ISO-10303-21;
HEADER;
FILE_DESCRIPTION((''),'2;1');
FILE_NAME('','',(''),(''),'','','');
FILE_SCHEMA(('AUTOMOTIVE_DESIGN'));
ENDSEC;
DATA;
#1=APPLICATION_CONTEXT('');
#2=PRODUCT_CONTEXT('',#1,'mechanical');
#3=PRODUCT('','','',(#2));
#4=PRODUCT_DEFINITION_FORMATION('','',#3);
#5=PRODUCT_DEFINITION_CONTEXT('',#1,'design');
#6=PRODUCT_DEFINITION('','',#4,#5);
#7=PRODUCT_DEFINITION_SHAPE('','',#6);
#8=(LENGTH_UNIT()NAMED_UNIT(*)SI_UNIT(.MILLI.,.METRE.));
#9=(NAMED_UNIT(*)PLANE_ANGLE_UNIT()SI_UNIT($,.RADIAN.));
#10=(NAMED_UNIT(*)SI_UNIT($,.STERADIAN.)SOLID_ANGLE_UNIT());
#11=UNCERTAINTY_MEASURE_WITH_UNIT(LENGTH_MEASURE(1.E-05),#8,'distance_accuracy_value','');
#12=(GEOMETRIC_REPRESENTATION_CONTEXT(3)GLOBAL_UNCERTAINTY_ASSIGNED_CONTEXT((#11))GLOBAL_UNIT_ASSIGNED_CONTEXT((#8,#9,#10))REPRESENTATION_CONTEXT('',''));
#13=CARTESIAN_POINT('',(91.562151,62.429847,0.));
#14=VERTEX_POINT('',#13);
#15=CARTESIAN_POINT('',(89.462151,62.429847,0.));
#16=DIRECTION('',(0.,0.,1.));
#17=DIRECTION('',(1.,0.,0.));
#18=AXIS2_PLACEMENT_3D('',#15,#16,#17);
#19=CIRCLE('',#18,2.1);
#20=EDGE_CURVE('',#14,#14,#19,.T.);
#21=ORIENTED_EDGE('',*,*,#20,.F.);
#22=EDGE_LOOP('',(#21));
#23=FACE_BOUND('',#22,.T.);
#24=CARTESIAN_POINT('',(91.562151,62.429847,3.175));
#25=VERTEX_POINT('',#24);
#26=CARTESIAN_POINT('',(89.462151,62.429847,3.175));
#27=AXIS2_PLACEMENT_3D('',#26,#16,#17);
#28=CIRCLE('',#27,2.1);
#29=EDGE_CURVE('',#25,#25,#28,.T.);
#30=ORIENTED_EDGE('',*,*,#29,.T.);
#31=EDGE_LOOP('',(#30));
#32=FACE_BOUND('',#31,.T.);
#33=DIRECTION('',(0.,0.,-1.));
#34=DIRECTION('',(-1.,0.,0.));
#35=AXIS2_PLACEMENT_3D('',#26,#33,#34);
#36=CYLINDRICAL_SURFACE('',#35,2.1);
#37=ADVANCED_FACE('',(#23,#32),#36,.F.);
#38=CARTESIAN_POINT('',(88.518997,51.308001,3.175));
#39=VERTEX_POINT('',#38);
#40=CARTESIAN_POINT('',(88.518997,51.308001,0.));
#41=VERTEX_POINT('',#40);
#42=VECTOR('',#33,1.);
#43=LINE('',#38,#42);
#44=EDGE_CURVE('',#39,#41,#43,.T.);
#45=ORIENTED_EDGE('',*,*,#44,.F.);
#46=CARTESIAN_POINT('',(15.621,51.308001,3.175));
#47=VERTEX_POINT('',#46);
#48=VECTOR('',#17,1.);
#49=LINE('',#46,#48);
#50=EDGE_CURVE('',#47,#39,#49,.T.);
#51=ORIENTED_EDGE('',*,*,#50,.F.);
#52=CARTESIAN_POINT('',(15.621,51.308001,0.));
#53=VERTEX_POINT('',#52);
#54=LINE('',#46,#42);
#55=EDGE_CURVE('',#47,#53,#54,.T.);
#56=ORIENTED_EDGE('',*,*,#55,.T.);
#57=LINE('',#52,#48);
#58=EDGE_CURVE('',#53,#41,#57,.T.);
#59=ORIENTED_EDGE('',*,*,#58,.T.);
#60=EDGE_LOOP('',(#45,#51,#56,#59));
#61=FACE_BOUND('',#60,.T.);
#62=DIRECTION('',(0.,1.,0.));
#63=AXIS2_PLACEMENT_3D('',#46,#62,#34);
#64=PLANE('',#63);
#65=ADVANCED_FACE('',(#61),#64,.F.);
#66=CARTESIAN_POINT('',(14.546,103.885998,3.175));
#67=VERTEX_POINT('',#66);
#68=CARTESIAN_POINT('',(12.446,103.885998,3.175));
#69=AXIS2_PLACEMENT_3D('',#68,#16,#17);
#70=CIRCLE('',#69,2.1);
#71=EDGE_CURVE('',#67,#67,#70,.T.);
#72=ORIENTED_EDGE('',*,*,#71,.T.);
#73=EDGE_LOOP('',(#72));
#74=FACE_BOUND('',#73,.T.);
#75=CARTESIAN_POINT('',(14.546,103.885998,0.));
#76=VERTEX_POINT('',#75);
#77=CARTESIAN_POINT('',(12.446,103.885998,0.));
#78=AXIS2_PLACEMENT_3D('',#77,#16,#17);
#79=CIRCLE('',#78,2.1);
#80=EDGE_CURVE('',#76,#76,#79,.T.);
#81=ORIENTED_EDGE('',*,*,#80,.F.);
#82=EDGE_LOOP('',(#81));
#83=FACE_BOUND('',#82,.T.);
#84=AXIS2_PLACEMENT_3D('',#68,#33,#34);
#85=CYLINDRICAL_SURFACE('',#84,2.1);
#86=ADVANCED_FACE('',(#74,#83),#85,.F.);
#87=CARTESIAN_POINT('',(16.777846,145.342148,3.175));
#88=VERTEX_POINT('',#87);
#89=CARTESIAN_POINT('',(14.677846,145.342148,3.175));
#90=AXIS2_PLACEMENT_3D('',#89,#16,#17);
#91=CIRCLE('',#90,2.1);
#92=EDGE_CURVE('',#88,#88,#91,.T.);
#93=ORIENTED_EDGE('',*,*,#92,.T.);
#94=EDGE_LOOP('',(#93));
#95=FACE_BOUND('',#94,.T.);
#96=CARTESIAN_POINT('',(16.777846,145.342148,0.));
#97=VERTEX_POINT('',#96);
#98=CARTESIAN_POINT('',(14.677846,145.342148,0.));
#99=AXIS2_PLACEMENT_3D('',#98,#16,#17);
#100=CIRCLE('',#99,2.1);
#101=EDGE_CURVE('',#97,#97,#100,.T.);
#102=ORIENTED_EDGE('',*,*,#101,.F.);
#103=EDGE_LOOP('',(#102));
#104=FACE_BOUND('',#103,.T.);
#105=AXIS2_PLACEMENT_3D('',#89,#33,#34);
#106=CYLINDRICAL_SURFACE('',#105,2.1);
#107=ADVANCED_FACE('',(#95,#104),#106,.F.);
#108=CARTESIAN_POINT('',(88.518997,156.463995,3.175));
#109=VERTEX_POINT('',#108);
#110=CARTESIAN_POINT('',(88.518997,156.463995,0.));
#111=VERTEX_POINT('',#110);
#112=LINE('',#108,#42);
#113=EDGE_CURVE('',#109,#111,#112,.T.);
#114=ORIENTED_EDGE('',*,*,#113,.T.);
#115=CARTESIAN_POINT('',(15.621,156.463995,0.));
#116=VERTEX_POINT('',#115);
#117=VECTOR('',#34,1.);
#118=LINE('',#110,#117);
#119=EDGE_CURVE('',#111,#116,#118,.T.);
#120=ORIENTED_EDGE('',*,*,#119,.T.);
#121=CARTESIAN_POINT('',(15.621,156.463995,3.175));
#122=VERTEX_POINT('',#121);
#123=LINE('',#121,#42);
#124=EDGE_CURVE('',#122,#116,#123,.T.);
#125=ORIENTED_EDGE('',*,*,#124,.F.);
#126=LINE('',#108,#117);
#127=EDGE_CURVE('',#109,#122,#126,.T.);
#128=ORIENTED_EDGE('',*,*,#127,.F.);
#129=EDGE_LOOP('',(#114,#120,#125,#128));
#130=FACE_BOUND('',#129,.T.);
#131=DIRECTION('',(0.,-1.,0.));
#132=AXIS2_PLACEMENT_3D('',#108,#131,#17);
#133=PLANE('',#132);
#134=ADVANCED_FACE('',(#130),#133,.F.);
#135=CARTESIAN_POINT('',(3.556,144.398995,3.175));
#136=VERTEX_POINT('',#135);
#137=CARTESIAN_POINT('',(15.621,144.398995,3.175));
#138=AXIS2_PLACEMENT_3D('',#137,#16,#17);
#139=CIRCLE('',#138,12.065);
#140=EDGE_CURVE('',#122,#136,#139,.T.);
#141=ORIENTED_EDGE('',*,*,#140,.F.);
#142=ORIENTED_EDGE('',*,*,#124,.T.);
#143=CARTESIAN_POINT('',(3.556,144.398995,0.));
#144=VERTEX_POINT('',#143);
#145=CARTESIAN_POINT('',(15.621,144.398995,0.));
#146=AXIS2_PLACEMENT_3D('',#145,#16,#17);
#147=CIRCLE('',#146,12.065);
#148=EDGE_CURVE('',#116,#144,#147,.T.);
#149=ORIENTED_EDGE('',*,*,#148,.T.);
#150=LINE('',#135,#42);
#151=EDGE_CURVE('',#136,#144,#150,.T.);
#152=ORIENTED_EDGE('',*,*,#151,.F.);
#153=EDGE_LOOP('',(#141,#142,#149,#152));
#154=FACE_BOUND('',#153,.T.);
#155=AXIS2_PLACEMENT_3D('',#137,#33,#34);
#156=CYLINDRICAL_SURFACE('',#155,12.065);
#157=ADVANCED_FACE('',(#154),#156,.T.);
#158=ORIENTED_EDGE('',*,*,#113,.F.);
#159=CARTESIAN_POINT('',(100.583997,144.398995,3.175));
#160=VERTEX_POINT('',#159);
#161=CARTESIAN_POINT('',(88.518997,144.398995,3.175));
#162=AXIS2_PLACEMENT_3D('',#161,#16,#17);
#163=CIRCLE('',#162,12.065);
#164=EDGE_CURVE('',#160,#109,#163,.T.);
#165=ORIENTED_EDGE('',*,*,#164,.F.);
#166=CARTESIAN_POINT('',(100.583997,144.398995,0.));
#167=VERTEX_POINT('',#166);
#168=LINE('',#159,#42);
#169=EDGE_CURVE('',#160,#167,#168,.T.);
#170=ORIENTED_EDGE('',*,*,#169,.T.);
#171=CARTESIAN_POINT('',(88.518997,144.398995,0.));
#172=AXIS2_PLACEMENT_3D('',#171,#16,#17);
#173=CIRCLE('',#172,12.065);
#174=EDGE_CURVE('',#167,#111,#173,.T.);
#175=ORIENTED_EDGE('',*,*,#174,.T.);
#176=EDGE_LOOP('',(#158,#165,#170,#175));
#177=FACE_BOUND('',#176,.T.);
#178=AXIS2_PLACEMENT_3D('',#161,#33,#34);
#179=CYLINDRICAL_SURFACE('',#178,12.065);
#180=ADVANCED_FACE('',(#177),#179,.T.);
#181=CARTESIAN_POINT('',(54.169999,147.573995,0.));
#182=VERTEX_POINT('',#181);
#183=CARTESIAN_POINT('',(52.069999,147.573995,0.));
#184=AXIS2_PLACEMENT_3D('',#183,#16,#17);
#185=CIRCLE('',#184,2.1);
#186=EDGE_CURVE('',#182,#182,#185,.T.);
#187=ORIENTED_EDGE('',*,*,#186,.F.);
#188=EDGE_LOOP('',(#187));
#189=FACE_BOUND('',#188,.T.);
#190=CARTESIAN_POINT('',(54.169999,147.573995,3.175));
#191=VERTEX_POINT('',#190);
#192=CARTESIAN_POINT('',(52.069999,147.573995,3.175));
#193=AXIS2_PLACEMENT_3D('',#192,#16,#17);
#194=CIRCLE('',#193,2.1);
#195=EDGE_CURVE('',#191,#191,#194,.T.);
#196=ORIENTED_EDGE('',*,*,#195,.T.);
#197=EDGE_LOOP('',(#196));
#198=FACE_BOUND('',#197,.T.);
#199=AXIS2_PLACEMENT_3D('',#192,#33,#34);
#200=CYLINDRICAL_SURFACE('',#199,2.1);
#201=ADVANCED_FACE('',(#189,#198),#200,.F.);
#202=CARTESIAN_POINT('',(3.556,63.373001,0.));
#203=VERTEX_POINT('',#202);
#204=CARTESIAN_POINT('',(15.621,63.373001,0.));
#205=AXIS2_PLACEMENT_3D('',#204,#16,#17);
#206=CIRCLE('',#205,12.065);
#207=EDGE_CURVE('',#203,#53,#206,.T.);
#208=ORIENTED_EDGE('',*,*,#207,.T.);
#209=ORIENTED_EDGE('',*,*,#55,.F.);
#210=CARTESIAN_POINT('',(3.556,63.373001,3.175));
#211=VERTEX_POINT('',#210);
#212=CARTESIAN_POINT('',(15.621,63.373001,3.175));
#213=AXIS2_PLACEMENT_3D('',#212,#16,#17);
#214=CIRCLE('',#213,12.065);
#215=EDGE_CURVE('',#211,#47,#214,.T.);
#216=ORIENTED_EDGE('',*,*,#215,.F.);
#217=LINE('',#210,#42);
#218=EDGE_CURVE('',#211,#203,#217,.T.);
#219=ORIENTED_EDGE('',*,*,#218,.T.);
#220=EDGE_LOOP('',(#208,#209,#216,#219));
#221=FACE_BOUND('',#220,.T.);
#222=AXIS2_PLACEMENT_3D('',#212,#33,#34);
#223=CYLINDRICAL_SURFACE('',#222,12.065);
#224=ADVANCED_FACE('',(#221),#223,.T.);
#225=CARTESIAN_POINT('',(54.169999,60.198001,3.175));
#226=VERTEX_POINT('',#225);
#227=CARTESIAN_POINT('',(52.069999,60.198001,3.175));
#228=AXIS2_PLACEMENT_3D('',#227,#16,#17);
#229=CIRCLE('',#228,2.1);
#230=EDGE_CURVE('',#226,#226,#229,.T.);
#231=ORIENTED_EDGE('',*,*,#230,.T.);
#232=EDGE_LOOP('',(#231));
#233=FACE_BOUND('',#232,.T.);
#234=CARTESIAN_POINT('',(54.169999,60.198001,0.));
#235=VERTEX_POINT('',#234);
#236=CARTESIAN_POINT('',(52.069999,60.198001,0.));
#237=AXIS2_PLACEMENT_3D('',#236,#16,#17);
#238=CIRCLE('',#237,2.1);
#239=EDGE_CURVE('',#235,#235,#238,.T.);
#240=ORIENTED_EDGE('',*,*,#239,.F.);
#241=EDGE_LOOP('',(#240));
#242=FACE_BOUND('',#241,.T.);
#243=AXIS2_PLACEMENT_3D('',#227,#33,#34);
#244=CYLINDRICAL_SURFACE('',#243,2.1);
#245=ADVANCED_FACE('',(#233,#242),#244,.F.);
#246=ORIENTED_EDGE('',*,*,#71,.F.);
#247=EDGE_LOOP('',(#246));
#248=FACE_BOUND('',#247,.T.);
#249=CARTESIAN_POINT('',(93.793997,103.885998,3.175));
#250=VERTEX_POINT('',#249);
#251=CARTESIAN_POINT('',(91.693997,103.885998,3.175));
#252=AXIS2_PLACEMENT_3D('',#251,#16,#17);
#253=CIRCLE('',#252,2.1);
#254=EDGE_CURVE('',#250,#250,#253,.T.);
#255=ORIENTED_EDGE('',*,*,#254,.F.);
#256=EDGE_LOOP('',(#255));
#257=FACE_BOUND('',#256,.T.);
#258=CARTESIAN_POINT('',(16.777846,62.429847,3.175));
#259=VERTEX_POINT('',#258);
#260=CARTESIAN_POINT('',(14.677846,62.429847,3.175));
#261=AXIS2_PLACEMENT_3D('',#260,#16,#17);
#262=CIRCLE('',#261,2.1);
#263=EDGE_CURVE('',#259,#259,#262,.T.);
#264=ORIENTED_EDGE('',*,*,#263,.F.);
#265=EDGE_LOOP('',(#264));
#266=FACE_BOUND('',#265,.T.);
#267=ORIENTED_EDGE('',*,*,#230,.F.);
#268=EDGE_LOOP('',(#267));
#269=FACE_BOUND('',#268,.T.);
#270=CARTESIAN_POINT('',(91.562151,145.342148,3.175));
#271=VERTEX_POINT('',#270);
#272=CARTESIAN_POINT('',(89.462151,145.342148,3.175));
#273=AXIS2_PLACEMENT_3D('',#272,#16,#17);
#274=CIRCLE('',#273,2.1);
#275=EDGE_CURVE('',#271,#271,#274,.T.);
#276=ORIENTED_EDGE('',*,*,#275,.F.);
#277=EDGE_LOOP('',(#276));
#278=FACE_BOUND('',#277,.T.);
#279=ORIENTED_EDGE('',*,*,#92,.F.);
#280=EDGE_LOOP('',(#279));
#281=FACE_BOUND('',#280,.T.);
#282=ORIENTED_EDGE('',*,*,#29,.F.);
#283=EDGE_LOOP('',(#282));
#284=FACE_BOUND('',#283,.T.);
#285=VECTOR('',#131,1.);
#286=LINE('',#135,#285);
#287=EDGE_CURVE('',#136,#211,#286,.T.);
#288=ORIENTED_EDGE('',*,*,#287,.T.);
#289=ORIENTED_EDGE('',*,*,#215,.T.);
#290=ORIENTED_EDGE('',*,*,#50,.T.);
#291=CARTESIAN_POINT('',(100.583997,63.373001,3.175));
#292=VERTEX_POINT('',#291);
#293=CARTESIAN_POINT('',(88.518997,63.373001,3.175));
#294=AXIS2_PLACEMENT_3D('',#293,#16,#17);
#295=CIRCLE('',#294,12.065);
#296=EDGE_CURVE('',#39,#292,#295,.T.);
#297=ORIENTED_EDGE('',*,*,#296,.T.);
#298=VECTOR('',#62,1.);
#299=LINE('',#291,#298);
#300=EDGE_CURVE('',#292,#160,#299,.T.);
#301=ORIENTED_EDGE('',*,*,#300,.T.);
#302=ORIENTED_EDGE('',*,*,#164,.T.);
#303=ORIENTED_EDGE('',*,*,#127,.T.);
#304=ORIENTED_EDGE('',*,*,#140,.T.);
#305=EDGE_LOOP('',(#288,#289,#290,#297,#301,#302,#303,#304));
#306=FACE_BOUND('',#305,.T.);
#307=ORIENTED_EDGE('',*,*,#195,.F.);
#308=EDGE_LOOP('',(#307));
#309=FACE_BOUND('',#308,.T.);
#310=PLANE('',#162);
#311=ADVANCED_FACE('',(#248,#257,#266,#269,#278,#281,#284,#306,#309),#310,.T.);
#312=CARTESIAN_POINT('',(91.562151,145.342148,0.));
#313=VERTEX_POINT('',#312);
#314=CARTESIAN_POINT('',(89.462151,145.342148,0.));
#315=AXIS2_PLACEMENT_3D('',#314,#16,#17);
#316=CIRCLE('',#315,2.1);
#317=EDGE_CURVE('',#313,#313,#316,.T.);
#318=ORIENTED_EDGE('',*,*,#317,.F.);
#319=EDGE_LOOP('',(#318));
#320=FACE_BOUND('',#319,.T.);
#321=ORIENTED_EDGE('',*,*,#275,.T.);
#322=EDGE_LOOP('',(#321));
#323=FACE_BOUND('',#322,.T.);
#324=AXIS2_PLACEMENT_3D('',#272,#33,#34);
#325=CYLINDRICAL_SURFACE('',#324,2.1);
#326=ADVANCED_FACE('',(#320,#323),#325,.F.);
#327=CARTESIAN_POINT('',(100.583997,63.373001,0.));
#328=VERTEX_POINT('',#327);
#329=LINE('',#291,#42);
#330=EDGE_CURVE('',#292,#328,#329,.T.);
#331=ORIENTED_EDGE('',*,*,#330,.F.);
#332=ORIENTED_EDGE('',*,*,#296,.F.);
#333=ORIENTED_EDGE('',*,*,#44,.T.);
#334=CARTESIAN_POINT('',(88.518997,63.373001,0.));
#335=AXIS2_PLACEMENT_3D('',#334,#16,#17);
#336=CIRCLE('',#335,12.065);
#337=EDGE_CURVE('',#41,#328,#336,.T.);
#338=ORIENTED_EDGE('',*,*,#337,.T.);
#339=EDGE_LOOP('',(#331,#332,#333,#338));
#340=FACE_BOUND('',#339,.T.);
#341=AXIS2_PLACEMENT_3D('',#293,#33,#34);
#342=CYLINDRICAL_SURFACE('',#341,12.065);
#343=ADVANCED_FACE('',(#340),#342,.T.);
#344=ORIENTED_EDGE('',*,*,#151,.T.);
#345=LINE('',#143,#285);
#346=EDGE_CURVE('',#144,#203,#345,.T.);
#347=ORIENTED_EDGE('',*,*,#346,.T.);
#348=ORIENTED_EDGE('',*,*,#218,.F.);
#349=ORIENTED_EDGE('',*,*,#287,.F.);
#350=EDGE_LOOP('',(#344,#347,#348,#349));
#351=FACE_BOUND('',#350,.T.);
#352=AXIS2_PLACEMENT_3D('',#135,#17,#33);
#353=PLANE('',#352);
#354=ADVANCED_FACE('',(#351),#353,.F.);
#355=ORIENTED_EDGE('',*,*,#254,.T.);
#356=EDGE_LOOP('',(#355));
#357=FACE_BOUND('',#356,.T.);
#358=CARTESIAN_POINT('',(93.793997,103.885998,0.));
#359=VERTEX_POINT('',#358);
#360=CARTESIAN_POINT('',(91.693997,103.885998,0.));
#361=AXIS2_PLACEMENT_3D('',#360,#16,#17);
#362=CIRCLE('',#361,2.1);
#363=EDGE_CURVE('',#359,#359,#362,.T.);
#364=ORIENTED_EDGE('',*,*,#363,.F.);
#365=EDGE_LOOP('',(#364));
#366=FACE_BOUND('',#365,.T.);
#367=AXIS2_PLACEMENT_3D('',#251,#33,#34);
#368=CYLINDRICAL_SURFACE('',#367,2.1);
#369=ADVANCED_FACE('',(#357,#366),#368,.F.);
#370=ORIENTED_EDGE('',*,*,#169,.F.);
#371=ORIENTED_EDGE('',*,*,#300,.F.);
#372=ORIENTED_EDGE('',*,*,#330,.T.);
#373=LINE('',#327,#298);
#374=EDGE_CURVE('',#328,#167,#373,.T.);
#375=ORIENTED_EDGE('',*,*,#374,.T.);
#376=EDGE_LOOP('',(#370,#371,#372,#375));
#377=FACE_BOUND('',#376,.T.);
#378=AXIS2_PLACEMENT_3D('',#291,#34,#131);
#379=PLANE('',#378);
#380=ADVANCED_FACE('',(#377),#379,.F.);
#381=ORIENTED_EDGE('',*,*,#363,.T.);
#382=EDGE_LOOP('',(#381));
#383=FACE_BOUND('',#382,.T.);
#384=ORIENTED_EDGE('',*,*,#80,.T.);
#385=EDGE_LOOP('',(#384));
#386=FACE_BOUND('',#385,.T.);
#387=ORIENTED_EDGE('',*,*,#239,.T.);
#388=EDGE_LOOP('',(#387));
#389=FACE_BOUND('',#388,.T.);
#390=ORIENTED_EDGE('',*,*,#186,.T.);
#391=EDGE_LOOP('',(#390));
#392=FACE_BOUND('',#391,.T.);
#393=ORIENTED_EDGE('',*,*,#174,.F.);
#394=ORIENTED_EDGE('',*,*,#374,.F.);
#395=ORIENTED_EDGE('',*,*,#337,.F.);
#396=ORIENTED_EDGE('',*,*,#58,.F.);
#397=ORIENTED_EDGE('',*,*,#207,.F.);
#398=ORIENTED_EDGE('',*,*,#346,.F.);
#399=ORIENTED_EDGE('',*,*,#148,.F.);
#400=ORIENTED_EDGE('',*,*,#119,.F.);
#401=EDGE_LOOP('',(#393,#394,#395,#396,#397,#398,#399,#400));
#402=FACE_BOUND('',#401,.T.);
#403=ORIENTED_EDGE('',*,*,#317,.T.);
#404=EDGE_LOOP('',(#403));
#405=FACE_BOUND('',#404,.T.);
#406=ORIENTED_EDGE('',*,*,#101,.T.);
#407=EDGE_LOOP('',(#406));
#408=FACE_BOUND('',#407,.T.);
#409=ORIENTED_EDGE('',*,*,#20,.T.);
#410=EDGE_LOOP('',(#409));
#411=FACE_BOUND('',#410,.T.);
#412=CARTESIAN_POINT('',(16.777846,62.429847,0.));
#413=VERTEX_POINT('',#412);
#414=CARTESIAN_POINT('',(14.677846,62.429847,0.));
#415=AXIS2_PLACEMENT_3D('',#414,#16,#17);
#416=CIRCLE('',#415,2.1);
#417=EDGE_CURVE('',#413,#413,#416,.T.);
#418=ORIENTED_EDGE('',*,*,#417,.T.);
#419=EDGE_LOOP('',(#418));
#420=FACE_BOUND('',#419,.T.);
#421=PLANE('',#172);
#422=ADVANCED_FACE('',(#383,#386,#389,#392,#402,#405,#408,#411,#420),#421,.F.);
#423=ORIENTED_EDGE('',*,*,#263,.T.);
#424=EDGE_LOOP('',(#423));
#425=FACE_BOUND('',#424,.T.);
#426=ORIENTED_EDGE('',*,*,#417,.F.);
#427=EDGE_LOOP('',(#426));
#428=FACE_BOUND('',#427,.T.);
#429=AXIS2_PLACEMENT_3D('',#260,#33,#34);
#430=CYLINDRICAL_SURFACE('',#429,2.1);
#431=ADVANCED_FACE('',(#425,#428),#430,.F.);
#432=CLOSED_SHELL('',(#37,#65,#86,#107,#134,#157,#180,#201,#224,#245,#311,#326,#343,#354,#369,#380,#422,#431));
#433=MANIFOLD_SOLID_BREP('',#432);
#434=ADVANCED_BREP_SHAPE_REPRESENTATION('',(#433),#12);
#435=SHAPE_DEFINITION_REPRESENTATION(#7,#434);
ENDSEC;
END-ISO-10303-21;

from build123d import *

# Parameters (mm, degrees)
SKETCH1_R           = 2.1
BOSS_EXTRUDE1_DEPTH = 3.175


with BuildPart() as part:
    # Sketch1 → Boss-Extrude1 (new body)
    with BuildSketch(Plane.XY):
        with BuildLine():
            Line((88.518997498, 156.463994751), (15.620999985, 156.463994751))
            ThreePointArc((15.620999985, 156.463994751), (7.08975667, 152.930238066), (3.555999985, 144.398994751))
            Line((3.555999985, 144.398994751), (3.555999985, 63.373000793))
            ThreePointArc((3.555999985, 63.373000793), (7.08975667, 54.841757478), (15.620999985, 51.308000793))
            Line((15.620999985, 51.308000793), (88.518997498, 51.308000793))
            ThreePointArc((88.518997498, 51.308000793), (97.050240813, 54.841757478), (100.583997498, 63.373000793))
            Line((100.583997498, 63.373000793), (100.583997498, 144.398994751))
            ThreePointArc((100.583997498, 144.398994751), (97.050240813, 152.930238066), (88.518997498, 156.463994751))
        make_face()
        with Locations((14.677846312, 145.342148424)):
            Circle(SKETCH1_R, mode=Mode.SUBTRACT)
        with Locations((52.069998741, 147.573994751)):
            Circle(SKETCH1_R, mode=Mode.SUBTRACT)
        with Locations((89.46215117, 145.342148424)):
            Circle(SKETCH1_R, mode=Mode.SUBTRACT)
        with Locations((91.693997498, 103.885997772)):
            Circle(SKETCH1_R, mode=Mode.SUBTRACT)
        with Locations((89.46215117, 62.429847121)):
            Circle(SKETCH1_R, mode=Mode.SUBTRACT)
        with Locations((52.069998741, 60.198000793)):
            Circle(SKETCH1_R, mode=Mode.SUBTRACT)
        with Locations((14.677846312, 62.429847121)):
            Circle(SKETCH1_R, mode=Mode.SUBTRACT)
        with Locations((12.445999985, 103.885997772)):
            Circle(SKETCH1_R, mode=Mode.SUBTRACT)
    extrude(amount=BOSS_EXTRUDE1_DEPTH)


solid = part.part
